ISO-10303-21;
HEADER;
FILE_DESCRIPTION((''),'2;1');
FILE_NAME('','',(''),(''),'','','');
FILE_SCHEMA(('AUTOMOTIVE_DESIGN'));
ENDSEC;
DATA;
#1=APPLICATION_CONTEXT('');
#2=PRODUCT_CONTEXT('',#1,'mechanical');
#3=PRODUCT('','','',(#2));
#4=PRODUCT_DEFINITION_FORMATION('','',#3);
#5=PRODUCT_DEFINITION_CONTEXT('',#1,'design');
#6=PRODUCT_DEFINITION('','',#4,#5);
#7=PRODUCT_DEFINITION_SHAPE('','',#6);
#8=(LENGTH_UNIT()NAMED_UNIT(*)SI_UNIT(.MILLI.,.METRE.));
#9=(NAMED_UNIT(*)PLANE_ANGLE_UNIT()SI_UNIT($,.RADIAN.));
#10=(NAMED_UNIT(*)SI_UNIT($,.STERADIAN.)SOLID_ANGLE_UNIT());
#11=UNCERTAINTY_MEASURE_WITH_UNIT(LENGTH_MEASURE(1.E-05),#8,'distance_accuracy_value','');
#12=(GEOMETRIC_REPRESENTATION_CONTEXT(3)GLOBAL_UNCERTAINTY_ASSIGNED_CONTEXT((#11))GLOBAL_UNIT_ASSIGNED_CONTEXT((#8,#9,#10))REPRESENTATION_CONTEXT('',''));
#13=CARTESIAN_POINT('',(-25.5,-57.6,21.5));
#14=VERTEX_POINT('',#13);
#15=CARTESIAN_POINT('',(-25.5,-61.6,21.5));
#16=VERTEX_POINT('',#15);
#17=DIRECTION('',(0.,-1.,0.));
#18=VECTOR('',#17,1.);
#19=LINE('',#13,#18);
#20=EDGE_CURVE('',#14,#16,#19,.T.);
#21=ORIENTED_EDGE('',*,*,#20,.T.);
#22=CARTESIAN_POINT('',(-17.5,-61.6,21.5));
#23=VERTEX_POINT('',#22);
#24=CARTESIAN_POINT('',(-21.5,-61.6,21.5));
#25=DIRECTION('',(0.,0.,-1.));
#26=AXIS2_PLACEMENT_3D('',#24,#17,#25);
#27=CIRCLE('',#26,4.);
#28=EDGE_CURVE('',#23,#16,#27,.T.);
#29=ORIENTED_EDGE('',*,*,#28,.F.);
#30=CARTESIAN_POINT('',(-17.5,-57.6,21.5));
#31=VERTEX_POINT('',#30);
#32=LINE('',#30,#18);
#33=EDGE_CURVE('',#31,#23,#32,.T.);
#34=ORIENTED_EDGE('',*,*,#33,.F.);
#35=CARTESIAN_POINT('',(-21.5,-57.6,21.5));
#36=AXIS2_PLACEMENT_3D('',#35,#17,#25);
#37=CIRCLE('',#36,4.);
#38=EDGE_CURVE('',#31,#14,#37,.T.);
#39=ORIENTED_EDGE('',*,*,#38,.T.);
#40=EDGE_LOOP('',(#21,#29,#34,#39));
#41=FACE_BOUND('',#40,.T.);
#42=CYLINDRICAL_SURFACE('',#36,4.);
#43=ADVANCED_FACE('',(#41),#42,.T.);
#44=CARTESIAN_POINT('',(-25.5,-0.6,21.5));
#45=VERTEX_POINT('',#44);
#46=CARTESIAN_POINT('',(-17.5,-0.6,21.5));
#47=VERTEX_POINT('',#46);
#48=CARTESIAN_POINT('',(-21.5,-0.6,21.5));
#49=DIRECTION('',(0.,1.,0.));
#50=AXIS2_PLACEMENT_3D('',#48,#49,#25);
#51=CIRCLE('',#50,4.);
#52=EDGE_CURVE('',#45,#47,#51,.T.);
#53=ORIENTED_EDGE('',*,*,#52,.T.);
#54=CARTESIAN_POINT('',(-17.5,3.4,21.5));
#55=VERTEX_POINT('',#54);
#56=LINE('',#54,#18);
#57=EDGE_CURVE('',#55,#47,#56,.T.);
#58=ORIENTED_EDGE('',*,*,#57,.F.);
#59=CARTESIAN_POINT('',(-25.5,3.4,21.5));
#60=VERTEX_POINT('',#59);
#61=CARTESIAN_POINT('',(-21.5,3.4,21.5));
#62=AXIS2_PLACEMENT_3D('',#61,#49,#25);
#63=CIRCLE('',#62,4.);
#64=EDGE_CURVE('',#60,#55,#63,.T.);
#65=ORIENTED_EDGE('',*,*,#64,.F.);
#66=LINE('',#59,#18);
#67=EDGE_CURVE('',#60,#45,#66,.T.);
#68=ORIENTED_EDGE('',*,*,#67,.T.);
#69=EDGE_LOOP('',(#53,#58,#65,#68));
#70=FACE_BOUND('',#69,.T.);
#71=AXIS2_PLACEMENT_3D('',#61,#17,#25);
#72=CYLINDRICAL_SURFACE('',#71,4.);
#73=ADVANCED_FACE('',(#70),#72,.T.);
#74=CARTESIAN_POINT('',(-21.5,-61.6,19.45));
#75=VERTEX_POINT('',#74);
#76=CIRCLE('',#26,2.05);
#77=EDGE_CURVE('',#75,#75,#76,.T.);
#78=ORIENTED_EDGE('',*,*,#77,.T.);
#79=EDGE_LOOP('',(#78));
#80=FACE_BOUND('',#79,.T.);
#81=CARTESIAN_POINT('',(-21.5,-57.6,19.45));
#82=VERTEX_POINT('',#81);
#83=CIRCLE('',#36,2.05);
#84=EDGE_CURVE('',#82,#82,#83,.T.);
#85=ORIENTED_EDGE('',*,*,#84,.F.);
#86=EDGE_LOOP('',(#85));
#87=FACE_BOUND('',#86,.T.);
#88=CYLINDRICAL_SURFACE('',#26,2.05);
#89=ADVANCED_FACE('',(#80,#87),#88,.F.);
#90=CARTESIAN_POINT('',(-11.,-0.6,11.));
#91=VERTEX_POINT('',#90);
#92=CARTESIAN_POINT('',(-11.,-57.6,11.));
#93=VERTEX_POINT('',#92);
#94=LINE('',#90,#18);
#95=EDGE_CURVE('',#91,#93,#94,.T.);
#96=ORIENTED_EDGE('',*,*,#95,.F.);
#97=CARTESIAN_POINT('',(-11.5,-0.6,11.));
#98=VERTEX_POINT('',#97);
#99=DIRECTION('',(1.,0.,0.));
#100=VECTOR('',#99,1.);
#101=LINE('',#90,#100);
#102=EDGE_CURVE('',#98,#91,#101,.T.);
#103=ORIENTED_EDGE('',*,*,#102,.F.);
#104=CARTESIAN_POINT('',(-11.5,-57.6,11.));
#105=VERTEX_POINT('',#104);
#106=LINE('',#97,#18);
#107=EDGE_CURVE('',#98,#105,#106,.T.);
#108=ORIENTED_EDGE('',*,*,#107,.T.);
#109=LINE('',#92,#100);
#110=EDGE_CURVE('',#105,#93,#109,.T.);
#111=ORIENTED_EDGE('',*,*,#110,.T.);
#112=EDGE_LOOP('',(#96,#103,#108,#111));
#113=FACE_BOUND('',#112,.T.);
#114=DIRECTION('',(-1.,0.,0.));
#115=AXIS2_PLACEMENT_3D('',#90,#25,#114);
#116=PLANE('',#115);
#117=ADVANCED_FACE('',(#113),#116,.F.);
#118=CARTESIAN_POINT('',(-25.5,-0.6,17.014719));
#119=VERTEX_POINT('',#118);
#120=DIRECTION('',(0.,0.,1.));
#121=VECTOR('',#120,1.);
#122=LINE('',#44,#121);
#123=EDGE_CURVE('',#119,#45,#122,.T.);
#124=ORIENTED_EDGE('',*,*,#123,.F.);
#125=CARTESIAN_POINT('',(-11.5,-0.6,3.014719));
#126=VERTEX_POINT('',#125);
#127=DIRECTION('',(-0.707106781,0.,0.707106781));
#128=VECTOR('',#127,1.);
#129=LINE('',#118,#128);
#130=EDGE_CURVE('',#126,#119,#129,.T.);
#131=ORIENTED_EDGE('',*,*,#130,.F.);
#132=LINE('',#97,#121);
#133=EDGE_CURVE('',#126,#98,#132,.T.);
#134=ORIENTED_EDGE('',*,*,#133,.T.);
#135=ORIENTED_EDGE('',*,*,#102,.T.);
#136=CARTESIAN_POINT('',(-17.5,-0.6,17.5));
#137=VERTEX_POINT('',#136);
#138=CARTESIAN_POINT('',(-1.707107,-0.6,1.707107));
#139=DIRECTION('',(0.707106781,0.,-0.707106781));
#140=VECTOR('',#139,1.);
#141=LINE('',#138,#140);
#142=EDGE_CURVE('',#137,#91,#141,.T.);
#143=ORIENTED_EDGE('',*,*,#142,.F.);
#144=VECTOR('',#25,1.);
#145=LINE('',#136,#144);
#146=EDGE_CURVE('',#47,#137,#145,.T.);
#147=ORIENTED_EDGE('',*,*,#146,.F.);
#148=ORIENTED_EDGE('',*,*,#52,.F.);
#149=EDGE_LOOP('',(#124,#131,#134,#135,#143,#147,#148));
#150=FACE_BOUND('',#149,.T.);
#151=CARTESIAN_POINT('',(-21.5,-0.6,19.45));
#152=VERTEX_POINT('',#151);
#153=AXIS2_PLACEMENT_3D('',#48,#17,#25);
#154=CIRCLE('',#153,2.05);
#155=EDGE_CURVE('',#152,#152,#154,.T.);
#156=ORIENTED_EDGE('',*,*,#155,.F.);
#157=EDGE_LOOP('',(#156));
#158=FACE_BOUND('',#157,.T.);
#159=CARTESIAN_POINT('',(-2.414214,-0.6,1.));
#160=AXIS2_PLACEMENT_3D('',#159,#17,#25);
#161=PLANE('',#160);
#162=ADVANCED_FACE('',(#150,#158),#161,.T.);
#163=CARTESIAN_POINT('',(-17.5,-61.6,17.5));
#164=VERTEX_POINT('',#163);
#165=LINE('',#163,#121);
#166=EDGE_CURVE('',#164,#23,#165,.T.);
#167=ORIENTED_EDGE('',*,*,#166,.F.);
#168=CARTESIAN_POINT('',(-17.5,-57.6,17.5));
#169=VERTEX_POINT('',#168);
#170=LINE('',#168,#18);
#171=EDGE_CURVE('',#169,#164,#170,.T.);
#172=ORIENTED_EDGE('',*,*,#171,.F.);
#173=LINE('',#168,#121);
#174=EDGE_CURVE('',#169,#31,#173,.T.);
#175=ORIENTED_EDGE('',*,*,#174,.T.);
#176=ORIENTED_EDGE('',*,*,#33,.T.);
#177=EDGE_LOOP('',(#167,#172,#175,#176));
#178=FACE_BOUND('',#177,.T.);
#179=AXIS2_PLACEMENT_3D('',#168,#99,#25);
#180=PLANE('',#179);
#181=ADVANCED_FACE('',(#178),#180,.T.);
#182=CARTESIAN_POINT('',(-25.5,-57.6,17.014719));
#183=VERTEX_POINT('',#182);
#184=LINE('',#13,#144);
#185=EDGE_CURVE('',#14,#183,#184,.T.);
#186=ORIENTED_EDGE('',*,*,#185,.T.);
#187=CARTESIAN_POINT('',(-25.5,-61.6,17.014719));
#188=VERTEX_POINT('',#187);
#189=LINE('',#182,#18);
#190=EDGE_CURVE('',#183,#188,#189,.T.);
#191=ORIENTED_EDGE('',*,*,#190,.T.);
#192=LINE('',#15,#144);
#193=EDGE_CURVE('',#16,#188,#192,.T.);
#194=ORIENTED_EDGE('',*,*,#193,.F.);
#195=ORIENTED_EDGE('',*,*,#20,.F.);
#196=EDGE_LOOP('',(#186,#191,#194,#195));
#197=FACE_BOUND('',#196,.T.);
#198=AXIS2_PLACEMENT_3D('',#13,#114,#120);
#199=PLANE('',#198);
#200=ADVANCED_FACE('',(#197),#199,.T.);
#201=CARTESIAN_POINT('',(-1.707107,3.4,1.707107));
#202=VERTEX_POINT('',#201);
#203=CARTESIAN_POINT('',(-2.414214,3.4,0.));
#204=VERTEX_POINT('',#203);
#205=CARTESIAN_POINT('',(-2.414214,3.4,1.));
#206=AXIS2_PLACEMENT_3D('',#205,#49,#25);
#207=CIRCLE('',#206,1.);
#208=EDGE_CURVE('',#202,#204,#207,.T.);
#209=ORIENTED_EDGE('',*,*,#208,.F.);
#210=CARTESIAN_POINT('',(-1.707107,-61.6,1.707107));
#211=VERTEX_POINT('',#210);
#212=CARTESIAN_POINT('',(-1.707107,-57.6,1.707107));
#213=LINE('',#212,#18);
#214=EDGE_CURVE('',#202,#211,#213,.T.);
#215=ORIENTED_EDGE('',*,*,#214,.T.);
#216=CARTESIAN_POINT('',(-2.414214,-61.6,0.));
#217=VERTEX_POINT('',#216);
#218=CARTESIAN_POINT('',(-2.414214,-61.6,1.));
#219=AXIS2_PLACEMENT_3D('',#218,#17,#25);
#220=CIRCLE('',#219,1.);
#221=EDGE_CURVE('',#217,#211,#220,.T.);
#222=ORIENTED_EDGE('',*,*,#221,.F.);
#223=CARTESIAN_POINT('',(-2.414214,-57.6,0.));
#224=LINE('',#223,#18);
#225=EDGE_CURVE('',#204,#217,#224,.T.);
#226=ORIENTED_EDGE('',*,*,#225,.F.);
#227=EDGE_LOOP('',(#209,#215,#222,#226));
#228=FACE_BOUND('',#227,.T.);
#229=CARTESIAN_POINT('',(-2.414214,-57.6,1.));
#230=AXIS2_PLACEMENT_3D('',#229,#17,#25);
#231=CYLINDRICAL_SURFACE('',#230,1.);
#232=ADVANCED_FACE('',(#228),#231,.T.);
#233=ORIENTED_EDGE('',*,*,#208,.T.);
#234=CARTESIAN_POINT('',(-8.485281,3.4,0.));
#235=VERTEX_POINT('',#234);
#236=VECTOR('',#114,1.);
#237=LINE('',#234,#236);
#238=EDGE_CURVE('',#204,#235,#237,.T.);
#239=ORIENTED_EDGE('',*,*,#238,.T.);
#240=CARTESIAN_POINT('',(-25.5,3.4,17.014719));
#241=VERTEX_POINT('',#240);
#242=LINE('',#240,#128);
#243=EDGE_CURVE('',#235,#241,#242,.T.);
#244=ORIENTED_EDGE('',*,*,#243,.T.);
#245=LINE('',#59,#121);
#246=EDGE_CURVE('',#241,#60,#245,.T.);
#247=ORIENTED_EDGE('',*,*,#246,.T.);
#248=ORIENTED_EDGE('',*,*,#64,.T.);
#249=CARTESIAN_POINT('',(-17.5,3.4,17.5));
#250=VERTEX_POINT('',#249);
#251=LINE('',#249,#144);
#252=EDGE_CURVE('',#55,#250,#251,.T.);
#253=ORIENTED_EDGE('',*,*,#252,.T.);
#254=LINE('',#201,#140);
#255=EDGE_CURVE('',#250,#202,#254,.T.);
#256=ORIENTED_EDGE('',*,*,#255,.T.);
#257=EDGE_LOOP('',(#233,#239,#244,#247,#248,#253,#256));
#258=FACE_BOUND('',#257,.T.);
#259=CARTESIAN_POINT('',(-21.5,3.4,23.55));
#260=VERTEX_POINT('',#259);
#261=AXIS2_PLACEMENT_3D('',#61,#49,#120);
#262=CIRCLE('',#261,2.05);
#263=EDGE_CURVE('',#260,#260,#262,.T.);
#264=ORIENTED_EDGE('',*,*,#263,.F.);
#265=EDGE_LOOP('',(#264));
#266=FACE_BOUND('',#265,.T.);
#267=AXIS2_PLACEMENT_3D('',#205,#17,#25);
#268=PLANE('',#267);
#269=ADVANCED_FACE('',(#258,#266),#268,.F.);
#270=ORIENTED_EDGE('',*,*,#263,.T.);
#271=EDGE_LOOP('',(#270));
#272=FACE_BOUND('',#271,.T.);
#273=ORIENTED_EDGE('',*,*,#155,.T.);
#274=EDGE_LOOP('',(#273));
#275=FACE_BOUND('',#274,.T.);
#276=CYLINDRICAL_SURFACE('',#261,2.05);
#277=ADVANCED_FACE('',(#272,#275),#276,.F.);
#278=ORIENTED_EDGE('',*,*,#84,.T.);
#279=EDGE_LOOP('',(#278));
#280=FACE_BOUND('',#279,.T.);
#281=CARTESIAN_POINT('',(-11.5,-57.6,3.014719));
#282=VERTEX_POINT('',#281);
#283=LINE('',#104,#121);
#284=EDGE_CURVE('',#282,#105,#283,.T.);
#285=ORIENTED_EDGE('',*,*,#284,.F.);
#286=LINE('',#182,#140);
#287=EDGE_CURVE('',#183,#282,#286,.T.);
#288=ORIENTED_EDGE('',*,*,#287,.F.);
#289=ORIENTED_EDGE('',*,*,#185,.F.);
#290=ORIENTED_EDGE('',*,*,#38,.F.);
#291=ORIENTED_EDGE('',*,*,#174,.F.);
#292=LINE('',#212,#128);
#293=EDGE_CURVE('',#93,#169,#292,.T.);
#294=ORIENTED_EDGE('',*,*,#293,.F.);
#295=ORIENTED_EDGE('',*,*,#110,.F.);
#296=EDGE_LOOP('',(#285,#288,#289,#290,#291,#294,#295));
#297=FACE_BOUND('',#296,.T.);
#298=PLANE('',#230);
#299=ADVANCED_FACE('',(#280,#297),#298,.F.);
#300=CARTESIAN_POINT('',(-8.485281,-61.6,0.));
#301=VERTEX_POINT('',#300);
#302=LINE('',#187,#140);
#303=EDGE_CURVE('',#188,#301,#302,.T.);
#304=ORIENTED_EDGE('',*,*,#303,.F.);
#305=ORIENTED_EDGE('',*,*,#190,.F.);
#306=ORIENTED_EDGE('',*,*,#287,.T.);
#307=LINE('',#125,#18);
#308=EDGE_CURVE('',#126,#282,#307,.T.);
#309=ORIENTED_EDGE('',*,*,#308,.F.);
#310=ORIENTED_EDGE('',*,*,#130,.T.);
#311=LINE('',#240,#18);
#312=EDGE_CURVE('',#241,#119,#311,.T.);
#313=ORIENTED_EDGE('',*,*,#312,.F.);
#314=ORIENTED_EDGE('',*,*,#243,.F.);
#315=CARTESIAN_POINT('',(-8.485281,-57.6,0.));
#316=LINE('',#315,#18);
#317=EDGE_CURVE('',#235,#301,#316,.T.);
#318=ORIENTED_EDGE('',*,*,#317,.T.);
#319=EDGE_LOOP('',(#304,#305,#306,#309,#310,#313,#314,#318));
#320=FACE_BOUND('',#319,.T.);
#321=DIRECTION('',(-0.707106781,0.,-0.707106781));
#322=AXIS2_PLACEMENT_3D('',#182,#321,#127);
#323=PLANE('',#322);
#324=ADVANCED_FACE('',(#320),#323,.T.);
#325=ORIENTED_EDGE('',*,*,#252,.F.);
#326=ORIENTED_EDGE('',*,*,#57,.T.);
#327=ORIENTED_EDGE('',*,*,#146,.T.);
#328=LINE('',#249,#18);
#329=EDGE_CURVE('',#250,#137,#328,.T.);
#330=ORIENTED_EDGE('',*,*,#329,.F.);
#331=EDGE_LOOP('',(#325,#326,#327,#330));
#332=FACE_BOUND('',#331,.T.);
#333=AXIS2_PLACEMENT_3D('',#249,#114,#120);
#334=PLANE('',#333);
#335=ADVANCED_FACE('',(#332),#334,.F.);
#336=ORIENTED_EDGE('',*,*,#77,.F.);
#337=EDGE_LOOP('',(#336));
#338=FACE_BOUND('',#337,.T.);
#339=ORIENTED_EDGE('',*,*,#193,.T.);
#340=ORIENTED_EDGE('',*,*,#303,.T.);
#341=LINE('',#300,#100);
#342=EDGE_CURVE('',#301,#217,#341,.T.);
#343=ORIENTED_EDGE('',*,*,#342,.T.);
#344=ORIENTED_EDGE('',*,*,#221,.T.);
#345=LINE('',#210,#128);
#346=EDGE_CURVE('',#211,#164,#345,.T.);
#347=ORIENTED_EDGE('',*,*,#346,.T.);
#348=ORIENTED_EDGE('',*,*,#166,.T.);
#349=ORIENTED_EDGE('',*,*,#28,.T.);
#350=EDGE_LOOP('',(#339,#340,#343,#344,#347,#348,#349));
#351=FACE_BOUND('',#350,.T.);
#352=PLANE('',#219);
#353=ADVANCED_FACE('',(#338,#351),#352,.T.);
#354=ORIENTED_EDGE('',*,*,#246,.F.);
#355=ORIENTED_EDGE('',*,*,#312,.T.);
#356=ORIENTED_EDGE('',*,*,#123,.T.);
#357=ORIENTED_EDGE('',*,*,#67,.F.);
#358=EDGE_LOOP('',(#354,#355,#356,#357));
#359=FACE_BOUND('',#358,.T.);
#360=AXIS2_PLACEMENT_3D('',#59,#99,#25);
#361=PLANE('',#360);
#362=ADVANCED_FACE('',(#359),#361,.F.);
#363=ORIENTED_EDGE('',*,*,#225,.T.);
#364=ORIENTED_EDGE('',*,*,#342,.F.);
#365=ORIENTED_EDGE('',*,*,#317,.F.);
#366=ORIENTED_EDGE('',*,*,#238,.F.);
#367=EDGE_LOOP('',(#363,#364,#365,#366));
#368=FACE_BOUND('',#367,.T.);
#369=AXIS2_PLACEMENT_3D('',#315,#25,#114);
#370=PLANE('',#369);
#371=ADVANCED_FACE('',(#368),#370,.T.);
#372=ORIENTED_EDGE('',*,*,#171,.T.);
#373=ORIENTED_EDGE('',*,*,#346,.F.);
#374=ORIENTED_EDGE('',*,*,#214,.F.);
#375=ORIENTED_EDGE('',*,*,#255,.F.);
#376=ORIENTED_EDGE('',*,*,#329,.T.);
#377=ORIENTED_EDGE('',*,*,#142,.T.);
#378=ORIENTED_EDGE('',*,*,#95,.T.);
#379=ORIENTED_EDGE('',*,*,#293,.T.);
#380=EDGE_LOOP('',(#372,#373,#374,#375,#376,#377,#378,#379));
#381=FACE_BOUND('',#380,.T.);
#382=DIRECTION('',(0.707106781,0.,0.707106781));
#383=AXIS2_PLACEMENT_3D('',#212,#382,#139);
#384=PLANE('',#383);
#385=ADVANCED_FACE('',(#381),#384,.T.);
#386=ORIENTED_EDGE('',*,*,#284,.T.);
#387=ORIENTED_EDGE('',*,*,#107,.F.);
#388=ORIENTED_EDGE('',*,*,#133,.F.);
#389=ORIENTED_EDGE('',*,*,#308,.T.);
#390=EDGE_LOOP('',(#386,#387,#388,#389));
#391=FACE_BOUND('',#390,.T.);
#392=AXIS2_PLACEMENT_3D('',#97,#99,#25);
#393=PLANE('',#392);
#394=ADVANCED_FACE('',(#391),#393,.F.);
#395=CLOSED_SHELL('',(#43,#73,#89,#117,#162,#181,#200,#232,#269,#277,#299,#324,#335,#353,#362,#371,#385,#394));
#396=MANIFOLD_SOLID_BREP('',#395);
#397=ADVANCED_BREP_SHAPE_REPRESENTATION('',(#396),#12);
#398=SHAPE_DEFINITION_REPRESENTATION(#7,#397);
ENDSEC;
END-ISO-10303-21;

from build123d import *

# Parameters (mm, degrees)
BOSS_EXTRUDE1_DEPTH            = 4.00000003
BOSS_EXTRUDE2_DEPTH            = 56.99999997
BOSS_EXTRUDE3_DEPTH            = 4
F_4_1_4_1_DIAMETER_HOLE1_D     = 4.1
F_4_1_4_1_DIAMETER_HOLE1_DEPTH = 4
F_4_1_4_1_DIAMETER_HOLE2_D     = 4.1
F_4_1_4_1_DIAMETER_HOLE2_DEPTH = 65


with BuildPart() as part:
    # Sketch1 → Boss-Extrude1 (new body)
    with BuildSketch(Plane.XZ.offset(61.6)):
        with BuildLine():
            Line((-25.5, 17.014718626), (-8.485281374, 0))
            Line((-8.485281374, 0), (-2.414213562, 0))
            ThreePointArc((-2.414213562, 0), (-1.49033403, 0.617316568), (-1.707106781, 1.707106781))
            Line((-1.707106781, 1.707106781), (-17.5, 17.5))
            Line((-17.5, 17.5), (-17.5, 21.5))
            ThreePointArc((-17.5, 21.5), (-21.5, 25.5), (-25.5, 21.5))
            Line((-25.5, 21.5), (-25.5, 17.014718626))
        make_face()
    extrude(amount=-BOSS_EXTRUDE1_DEPTH)

    # Sketch2 → Boss-Extrude2 (add)
    with BuildSketch(Plane(origin=(0, -57.59999997, 0), x_dir=(-1, 0, 0), z_dir=(0, 1, 0))):
        with BuildLine():
            Line((1.707106781, 1.707106781), (11.000000003, 11.000000003))
            Line((11.000000003, 11.000000003), (11.500000002, 11.000000003))
            Line((11.500000002, 11.000000003), (11.500000002, 3.014718628))
            Line((11.500000002, 3.014718628), (8.485281374, 0))
            Line((8.485281374, 0), (2.414213562, 0))
            ThreePointArc((2.414213562, 0), (1.49033403, 0.617316568), (1.707106781, 1.707106781))
        make_face()
    extrude(amount=BOSS_EXTRUDE2_DEPTH)

    # Sketch3 → Boss-Extrude3 (add)
    with BuildSketch(Plane(origin=(0, -0.6, 0), x_dir=(-1, 0, 0), z_dir=(0, 1, 0))):
        with BuildLine():
            Line((8.485281374, 0), (2.414213562, 0))
            ThreePointArc((2.414213562, 0), (1.49033403, 0.617316568), (1.707106781, 1.707106781))
            Line((1.707106781, 1.707106781), (17.500000001, 17.500000001))
            Line((17.500000001, 17.500000001), (17.500000001, 21.5))
            ThreePointArc((17.500000001, 21.5), (21.500000001, 25.5), (25.5, 21.5))
            Line((25.5, 21.5), (25.5, 17.014718626))
            Line((25.5, 17.014718626), (8.485281374, 0))
        make_face()
    extrude(amount=BOSS_EXTRUDE3_DEPTH)

    # Ø4.1 (4.1) Diameter Hole1
    with Locations(Plane(origin=(0, 3.4, 0), x_dir=(1, 0, 0), z_dir=(0, 1, 0))):
        with Locations((-21.5, -21.5)):
            Hole(F_4_1_4_1_DIAMETER_HOLE1_D / 2, depth=F_4_1_4_1_DIAMETER_HOLE1_DEPTH)

    # Ø4.1 (4.1) Diameter Hole2
    with Locations(Plane(origin=(0, -61.6, 0), x_dir=(-1, 0, 0), z_dir=(0, -1, 0))):
        with Locations((21.5, -21.5)):
            Hole(F_4_1_4_1_DIAMETER_HOLE2_D / 2, depth=F_4_1_4_1_DIAMETER_HOLE2_DEPTH)


solid = part.part
